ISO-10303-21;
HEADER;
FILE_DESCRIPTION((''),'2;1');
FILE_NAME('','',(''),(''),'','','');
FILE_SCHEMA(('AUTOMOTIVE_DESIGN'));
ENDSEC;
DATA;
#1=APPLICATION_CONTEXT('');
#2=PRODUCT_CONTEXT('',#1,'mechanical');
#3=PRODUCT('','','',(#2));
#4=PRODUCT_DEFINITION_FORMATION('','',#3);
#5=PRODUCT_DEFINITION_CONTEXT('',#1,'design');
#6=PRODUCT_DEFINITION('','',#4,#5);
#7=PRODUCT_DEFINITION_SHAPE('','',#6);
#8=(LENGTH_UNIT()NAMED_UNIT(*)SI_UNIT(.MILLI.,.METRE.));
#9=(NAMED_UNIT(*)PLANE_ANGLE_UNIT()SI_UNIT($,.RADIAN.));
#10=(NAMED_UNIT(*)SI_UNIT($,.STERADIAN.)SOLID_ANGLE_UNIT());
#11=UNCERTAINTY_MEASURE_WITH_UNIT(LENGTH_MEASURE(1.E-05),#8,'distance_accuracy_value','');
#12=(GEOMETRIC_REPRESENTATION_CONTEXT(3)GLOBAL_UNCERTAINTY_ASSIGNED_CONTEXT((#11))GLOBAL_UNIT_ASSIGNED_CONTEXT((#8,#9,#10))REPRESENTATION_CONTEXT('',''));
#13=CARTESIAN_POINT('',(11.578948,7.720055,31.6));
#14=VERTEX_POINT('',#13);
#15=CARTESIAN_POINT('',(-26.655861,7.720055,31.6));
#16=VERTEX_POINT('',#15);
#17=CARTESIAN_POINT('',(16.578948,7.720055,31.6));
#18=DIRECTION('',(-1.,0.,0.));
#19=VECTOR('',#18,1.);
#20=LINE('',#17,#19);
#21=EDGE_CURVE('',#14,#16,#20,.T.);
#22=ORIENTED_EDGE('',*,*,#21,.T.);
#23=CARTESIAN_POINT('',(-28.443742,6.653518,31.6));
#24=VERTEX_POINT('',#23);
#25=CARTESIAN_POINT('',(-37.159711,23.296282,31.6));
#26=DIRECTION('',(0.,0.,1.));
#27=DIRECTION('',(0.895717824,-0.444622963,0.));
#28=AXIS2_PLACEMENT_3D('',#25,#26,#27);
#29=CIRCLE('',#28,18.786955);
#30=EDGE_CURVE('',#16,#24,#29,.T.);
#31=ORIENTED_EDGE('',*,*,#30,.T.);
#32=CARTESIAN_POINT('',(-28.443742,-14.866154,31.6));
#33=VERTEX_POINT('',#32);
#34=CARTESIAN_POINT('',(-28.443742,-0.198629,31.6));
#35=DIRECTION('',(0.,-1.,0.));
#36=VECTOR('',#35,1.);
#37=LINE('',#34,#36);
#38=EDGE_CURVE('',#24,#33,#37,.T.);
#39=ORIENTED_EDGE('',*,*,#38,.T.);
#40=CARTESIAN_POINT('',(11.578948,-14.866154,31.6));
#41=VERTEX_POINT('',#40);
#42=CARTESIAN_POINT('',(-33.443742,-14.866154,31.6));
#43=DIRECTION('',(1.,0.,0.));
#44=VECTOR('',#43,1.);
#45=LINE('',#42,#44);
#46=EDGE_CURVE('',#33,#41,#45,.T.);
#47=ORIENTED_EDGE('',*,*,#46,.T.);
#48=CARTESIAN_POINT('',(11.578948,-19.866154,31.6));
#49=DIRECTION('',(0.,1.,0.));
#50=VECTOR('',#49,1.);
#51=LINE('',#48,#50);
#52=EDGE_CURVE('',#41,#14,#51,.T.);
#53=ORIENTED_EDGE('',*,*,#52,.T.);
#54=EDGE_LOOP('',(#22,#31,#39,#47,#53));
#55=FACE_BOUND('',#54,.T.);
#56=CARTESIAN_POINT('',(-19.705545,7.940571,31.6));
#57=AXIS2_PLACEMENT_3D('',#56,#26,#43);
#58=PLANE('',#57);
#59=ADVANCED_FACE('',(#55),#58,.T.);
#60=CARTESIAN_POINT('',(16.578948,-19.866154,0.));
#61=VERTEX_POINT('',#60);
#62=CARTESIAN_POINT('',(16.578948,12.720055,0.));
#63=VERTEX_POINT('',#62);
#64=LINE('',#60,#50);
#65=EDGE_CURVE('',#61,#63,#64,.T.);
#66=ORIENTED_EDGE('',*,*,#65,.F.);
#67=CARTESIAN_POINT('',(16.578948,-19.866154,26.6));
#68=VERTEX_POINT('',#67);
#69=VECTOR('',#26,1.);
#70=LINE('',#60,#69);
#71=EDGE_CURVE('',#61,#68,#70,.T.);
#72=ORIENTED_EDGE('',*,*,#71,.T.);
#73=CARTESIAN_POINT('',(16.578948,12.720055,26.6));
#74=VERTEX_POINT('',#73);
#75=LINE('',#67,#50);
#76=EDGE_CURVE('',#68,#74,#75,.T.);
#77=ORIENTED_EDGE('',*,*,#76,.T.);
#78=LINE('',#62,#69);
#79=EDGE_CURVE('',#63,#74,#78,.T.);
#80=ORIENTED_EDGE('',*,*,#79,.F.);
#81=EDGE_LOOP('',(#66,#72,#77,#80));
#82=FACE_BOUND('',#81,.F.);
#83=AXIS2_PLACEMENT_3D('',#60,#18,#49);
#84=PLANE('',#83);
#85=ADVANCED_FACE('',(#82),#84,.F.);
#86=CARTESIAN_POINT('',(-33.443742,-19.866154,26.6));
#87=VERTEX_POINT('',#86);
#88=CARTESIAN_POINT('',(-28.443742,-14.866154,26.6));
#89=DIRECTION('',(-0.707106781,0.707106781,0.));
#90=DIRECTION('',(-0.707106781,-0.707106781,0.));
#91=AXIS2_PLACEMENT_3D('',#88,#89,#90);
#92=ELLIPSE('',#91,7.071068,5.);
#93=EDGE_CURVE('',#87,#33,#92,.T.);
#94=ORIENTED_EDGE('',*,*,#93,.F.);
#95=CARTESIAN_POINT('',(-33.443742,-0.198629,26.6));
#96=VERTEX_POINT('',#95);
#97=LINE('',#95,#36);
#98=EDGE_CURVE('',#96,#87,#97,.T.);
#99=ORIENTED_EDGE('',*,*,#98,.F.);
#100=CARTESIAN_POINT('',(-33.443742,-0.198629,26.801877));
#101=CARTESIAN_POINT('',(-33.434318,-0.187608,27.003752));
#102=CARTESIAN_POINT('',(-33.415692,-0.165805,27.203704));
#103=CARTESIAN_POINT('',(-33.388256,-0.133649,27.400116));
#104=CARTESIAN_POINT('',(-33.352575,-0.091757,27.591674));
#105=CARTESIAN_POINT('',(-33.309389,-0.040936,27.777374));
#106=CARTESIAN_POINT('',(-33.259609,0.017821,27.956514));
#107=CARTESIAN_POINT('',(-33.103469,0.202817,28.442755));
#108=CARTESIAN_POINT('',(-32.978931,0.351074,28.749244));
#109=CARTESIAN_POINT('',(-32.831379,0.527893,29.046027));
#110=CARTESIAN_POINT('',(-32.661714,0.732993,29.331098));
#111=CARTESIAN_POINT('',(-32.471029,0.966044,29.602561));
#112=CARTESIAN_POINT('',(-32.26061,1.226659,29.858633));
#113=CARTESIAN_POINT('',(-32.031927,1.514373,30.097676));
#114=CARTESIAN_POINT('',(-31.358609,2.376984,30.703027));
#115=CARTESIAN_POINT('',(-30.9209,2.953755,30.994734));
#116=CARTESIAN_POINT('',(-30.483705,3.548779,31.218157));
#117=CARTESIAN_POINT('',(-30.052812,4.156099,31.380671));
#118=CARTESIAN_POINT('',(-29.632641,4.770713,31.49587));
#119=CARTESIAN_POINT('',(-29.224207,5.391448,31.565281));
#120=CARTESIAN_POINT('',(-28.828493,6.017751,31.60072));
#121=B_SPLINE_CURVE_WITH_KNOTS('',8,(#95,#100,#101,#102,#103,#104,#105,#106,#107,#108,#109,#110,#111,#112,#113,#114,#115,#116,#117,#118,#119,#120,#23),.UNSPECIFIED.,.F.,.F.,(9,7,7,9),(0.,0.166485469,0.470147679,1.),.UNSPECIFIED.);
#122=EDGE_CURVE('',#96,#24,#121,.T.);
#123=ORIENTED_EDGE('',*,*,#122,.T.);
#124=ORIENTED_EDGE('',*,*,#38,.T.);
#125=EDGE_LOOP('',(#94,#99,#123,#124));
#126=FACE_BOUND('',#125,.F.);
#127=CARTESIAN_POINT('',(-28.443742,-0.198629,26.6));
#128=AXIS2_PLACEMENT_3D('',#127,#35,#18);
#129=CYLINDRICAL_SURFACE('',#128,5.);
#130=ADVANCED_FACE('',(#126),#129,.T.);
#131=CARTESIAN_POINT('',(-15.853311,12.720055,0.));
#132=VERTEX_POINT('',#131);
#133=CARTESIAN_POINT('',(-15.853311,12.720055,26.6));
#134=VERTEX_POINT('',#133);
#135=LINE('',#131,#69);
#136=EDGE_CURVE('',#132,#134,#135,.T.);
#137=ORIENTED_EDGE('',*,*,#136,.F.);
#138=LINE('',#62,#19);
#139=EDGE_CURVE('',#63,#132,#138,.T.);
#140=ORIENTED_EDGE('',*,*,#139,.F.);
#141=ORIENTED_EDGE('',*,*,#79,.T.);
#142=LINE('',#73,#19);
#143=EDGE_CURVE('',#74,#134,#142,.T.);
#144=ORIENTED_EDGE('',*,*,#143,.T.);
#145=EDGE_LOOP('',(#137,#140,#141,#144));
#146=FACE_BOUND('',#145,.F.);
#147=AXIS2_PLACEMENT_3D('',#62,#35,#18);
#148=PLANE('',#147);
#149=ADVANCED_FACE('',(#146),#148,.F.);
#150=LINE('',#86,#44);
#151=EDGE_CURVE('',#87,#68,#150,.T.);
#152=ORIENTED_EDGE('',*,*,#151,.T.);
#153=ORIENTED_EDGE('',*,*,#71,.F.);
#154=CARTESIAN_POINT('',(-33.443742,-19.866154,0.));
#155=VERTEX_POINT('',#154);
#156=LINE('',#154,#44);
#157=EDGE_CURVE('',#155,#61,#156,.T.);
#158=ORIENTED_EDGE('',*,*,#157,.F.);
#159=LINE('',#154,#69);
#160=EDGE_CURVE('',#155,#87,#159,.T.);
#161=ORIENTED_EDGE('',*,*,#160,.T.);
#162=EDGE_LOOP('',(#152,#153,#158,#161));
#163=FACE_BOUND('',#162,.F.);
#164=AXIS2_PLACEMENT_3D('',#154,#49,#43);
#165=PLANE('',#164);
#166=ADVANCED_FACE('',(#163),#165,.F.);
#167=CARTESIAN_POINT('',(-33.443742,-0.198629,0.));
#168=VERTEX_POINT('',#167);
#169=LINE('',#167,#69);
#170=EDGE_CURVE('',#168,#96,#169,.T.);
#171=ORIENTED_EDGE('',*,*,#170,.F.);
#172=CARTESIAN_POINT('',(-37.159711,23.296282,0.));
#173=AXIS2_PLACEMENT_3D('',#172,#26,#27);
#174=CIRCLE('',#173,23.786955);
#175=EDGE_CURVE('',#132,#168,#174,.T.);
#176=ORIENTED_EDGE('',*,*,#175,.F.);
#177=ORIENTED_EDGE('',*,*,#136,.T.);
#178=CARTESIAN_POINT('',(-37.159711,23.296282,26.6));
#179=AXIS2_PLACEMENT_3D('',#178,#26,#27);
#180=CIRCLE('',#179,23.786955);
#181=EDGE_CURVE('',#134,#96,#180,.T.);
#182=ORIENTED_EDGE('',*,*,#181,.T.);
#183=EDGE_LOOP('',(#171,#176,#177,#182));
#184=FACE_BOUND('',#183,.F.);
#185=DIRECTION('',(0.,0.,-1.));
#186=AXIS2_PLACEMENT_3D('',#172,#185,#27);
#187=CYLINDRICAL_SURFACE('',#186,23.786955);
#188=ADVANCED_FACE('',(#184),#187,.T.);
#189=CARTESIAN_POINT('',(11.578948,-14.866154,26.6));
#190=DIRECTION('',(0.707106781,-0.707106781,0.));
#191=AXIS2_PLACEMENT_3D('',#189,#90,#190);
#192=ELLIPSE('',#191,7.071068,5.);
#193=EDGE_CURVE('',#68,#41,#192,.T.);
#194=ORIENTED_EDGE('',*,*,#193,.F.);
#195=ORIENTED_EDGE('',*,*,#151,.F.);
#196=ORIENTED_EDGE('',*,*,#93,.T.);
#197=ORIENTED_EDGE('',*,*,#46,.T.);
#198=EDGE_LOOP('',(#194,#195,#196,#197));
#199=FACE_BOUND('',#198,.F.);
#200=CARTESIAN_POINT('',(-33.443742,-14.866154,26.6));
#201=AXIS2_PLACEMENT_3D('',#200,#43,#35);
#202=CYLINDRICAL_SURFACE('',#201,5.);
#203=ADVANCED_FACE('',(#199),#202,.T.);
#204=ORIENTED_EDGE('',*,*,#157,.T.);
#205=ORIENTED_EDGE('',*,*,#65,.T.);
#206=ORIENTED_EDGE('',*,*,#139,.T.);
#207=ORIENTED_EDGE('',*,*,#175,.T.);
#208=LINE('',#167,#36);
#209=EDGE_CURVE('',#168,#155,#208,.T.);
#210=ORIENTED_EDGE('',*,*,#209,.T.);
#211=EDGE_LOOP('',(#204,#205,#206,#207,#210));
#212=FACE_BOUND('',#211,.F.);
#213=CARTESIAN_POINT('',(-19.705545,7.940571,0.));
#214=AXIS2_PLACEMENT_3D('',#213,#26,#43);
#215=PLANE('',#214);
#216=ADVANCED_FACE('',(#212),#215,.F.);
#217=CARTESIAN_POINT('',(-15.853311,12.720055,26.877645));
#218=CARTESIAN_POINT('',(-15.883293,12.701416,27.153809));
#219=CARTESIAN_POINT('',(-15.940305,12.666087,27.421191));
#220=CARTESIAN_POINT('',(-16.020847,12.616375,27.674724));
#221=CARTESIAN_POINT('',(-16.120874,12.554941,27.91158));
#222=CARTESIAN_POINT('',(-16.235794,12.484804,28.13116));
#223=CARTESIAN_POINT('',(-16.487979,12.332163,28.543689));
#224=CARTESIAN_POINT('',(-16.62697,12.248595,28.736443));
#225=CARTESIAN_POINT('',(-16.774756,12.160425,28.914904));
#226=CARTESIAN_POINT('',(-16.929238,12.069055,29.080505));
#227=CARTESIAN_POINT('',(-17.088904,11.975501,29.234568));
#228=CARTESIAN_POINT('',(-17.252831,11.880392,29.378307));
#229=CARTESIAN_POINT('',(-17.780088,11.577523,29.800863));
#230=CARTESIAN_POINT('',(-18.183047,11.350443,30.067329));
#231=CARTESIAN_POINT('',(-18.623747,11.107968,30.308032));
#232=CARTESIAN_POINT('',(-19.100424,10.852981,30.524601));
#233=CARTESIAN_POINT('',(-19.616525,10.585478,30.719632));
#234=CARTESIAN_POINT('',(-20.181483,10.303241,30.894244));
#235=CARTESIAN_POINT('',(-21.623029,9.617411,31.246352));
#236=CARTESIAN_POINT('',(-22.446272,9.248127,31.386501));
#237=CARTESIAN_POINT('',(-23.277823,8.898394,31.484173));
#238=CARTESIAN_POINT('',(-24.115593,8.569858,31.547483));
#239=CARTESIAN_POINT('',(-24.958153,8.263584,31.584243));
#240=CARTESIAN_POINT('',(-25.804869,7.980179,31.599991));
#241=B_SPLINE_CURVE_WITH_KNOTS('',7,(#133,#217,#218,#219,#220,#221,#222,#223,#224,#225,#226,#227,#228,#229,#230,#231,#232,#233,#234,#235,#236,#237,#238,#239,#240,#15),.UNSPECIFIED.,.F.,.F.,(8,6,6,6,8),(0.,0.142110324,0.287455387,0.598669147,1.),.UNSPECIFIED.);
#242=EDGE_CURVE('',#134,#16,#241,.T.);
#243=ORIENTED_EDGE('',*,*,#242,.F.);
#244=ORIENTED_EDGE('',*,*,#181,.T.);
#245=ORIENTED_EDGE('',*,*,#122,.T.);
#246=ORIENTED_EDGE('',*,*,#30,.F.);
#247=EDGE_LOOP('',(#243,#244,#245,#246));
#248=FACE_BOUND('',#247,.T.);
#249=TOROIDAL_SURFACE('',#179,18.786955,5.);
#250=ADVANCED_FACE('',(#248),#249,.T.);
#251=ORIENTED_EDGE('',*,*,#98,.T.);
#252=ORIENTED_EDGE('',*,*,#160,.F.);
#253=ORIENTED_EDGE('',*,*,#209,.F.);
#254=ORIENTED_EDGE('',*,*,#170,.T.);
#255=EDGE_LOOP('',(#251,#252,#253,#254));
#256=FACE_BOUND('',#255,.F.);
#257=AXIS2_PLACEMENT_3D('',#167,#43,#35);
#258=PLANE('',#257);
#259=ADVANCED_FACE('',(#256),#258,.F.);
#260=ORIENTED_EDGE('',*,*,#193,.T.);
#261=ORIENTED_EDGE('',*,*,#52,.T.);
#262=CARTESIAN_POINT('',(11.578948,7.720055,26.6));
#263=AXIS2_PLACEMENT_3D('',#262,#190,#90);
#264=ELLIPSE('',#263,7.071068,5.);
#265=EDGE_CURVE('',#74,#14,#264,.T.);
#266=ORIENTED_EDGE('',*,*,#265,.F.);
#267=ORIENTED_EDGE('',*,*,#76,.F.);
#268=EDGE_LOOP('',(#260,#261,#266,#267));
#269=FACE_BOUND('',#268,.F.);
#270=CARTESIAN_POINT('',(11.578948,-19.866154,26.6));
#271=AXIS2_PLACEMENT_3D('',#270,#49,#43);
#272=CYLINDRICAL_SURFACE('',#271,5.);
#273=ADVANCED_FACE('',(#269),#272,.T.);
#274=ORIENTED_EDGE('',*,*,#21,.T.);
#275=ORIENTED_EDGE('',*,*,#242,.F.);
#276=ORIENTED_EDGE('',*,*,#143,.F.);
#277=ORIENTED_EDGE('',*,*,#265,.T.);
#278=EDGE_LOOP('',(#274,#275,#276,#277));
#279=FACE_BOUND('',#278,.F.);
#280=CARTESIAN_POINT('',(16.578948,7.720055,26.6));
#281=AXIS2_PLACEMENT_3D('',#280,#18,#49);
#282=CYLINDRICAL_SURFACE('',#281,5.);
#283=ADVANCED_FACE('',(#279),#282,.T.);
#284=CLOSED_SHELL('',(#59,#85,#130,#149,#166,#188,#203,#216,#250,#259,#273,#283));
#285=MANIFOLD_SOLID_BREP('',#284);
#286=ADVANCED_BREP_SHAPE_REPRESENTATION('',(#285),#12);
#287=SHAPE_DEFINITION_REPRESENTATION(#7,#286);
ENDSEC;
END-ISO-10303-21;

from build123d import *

# Parameters (mm, degrees)
F1_DEPTH = 31.6
F2_R     = 5


with BuildPart() as f1:
    # F0 (on Top) → F1 (new body)
    with BuildSketch(Plane.XY):
        with BuildLine():
            Line((16.578948, 12.720055), (-15.853311, 12.720055))
            ThreePointArc((-15.853311, 12.720055), (-51.23994, 42.468303), (-33.443742, -0.198629))
            Line((-33.443742, -0.198629), (-33.443742, -19.866154))
            Line((-33.443742, -19.866154), (16.578948, -19.866154))
            Line((16.578948, -19.866154), (16.578948, 12.720055))
        make_face()
    extrude(amount=F1_DEPTH)

    # F2
    f2_edges = [f1.edges().sort_by_distance(p)[0] for p in [
        (0.362819, 12.720055, 31.6),
        (-51.23994, 42.468303, 31.6),
        (-33.443742, -10.032391, 31.6),
        (-8.432397, -19.866154, 31.6),
        (16.578948, -3.573049, 31.6),
    ]]
    fillet(f2_edges, radius=F2_R)


solid = f1.part
